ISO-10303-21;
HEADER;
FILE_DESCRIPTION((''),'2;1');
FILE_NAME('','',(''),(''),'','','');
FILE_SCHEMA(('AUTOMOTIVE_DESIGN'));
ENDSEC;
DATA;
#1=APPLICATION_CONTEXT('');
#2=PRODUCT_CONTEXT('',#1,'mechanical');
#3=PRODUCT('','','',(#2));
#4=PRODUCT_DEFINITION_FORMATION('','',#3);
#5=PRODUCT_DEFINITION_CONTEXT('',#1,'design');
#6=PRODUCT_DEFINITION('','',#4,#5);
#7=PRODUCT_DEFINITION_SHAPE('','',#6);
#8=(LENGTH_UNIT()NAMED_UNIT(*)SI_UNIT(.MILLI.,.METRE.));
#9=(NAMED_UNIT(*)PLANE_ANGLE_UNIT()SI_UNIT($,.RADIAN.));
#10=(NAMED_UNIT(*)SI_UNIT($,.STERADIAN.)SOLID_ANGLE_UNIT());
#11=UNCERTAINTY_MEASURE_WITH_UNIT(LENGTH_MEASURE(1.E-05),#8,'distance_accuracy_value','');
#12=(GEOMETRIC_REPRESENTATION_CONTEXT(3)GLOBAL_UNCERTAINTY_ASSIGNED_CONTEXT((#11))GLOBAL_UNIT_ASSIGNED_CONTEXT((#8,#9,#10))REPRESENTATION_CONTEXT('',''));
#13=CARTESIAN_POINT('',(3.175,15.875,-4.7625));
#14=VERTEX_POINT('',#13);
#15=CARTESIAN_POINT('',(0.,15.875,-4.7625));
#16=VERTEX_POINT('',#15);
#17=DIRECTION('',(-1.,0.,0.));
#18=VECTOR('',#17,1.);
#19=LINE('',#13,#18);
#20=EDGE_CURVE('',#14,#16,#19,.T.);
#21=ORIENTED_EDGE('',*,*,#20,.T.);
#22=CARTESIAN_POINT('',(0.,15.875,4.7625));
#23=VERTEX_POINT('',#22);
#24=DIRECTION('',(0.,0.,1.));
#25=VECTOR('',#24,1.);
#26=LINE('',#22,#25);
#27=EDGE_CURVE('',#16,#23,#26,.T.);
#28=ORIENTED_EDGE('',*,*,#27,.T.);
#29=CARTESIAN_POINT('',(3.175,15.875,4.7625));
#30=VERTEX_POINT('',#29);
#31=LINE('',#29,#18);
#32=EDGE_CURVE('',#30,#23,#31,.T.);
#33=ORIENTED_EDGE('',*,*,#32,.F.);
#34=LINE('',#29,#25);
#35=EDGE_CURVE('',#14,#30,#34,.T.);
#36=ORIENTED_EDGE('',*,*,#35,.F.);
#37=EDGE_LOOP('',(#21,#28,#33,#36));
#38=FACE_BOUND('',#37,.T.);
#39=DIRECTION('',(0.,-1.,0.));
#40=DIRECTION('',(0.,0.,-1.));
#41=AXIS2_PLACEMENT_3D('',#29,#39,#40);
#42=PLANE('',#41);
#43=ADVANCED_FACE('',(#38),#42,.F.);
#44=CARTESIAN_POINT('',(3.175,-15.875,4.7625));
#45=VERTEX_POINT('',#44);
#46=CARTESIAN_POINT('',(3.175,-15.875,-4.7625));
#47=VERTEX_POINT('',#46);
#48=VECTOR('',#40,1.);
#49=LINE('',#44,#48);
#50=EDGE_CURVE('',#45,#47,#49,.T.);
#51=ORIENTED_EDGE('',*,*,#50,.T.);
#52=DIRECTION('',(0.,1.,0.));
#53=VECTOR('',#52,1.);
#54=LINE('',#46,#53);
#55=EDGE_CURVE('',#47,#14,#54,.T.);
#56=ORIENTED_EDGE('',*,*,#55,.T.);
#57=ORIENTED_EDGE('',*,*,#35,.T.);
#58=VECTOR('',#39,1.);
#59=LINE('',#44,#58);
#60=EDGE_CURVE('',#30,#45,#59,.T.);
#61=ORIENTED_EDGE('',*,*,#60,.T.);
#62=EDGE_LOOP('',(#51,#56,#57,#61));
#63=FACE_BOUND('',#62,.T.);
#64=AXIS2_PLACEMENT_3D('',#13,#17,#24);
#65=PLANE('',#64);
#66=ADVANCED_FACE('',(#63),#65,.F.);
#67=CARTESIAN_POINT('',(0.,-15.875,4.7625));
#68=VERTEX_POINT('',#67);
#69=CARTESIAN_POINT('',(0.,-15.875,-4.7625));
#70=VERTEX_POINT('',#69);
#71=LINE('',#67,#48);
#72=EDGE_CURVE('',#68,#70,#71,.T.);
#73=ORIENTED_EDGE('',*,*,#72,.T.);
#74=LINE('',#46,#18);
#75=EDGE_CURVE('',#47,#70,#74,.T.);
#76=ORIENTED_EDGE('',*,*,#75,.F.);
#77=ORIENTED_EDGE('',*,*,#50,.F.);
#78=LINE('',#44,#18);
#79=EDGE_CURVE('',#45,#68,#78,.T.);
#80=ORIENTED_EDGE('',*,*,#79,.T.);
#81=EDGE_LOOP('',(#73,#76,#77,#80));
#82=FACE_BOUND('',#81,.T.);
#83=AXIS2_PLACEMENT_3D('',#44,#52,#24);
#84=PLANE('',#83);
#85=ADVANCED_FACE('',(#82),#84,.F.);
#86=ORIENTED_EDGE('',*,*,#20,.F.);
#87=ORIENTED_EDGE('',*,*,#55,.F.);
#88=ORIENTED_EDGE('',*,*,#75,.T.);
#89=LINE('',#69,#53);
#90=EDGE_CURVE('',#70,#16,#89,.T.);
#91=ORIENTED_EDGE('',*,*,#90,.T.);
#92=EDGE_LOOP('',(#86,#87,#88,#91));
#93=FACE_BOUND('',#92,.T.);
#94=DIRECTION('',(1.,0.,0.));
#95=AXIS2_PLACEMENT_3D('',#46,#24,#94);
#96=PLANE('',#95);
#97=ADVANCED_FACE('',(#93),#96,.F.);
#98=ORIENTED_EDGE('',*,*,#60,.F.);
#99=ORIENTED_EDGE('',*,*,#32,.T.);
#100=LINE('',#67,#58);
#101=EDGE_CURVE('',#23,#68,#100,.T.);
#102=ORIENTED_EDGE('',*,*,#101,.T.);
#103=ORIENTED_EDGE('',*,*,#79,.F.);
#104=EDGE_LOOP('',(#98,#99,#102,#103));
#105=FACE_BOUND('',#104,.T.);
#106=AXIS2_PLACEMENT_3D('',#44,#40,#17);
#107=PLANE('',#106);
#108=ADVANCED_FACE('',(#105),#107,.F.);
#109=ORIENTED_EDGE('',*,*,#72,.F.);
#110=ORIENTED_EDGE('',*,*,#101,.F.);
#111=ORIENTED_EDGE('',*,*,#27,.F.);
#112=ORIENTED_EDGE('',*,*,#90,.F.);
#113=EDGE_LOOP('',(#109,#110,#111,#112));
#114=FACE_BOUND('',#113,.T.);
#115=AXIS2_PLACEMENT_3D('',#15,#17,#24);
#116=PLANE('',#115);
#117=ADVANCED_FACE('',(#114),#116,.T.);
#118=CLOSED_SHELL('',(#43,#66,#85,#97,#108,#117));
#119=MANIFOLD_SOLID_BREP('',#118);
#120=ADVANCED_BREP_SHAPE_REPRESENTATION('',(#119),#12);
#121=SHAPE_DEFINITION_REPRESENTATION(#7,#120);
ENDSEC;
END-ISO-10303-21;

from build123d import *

# Parameters (mm, degrees)
SKETCH1_W           = 9.525
SKETCH1_H           = 31.75
BOSS_EXTRUDE1_DEPTH = 3.175


with BuildPart() as part:
    # Sketch1 → Boss-Extrude1 (new body)
    with BuildSketch(Plane(origin=(0, 0, 0), x_dir=(0, 0, -1), z_dir=(1, 0, 0))):
        Rectangle(SKETCH1_W, SKETCH1_H)
    extrude(amount=BOSS_EXTRUDE1_DEPTH)


solid = part.part
